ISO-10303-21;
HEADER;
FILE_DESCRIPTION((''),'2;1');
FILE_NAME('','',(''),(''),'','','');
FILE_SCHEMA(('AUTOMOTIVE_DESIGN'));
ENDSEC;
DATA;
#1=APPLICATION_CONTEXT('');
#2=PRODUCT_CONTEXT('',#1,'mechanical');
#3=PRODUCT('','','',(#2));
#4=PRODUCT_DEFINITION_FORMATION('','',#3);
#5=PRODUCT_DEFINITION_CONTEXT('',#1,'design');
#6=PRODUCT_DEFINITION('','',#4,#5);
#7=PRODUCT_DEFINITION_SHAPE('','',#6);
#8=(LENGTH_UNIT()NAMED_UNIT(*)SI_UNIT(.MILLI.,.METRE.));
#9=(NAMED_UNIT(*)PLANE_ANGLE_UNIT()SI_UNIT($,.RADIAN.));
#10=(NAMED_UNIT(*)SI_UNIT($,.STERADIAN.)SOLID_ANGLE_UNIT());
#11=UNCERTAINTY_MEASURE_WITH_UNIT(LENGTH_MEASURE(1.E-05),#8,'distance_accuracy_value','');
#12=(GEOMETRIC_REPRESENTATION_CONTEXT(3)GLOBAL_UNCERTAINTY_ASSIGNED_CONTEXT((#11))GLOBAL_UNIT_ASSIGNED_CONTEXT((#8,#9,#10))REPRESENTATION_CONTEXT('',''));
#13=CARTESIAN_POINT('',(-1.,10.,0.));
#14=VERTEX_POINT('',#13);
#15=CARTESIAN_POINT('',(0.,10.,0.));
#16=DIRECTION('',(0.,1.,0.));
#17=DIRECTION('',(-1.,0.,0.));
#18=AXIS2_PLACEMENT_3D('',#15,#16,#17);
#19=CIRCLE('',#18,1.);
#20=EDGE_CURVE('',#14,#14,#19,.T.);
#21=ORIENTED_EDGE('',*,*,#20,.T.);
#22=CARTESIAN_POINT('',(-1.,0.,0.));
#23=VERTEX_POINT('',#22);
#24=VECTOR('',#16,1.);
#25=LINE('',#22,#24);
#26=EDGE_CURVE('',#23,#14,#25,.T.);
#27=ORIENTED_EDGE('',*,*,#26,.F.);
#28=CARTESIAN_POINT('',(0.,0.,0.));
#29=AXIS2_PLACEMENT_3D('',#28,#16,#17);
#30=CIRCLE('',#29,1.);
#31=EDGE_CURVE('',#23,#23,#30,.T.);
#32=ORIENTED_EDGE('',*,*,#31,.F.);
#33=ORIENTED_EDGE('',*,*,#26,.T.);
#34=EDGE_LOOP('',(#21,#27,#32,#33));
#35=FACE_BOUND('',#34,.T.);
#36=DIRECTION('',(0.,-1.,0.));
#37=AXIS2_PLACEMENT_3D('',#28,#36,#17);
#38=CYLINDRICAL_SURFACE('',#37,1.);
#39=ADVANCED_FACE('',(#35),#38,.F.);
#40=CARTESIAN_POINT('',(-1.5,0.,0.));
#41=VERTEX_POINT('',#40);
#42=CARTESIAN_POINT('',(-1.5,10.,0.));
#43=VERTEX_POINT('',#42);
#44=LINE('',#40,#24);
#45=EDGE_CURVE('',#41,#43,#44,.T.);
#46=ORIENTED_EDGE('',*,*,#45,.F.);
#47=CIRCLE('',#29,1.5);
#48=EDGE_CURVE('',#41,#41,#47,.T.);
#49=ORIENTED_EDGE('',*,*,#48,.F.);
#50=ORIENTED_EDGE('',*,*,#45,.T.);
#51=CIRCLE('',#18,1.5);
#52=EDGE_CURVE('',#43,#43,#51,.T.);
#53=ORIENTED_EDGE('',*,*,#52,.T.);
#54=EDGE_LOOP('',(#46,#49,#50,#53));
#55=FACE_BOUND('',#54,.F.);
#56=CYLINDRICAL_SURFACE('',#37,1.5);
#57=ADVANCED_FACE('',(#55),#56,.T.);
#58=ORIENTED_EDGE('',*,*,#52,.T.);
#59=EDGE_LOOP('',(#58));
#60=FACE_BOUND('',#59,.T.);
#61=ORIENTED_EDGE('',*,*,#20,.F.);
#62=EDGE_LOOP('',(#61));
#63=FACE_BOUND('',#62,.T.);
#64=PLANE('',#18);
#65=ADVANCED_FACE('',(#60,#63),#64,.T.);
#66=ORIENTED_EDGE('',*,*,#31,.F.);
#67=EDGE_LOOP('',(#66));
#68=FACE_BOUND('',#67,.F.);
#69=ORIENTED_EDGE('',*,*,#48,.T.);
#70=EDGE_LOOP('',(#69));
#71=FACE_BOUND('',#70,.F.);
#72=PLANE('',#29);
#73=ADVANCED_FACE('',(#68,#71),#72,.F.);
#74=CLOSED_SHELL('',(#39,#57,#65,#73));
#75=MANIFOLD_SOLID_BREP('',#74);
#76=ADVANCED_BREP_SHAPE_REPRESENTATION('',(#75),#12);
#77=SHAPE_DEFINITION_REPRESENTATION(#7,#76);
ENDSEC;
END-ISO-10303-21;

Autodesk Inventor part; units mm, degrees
ref_plane "YZ Plane" through (0, 0, 0) normal (1, 0, 0) x (0, 1, 0)
ref_plane "XZ Plane" through (0, 0, 0) normal (0, 1, 0) x (-1, 0, 0)
ref_plane "XY Plane" through (0, 0, 0) normal (0, 0, 1) x (1, 0, 0)
sketch "スケッチ1" plane through (0, 0, 0) normal (0, 1, 0) x (-1, 0, 0)
  circle A0 centre (0, 0) radius 1.5
  circle A1 centre (0, 0) radius 1
  dimension "d0" = 3
  dimension "d1" = 2
extrude "押し出し1" add sketch "スケッチ1" along normal blind 10
properties part number "ceramic_spacer_d3-10"
